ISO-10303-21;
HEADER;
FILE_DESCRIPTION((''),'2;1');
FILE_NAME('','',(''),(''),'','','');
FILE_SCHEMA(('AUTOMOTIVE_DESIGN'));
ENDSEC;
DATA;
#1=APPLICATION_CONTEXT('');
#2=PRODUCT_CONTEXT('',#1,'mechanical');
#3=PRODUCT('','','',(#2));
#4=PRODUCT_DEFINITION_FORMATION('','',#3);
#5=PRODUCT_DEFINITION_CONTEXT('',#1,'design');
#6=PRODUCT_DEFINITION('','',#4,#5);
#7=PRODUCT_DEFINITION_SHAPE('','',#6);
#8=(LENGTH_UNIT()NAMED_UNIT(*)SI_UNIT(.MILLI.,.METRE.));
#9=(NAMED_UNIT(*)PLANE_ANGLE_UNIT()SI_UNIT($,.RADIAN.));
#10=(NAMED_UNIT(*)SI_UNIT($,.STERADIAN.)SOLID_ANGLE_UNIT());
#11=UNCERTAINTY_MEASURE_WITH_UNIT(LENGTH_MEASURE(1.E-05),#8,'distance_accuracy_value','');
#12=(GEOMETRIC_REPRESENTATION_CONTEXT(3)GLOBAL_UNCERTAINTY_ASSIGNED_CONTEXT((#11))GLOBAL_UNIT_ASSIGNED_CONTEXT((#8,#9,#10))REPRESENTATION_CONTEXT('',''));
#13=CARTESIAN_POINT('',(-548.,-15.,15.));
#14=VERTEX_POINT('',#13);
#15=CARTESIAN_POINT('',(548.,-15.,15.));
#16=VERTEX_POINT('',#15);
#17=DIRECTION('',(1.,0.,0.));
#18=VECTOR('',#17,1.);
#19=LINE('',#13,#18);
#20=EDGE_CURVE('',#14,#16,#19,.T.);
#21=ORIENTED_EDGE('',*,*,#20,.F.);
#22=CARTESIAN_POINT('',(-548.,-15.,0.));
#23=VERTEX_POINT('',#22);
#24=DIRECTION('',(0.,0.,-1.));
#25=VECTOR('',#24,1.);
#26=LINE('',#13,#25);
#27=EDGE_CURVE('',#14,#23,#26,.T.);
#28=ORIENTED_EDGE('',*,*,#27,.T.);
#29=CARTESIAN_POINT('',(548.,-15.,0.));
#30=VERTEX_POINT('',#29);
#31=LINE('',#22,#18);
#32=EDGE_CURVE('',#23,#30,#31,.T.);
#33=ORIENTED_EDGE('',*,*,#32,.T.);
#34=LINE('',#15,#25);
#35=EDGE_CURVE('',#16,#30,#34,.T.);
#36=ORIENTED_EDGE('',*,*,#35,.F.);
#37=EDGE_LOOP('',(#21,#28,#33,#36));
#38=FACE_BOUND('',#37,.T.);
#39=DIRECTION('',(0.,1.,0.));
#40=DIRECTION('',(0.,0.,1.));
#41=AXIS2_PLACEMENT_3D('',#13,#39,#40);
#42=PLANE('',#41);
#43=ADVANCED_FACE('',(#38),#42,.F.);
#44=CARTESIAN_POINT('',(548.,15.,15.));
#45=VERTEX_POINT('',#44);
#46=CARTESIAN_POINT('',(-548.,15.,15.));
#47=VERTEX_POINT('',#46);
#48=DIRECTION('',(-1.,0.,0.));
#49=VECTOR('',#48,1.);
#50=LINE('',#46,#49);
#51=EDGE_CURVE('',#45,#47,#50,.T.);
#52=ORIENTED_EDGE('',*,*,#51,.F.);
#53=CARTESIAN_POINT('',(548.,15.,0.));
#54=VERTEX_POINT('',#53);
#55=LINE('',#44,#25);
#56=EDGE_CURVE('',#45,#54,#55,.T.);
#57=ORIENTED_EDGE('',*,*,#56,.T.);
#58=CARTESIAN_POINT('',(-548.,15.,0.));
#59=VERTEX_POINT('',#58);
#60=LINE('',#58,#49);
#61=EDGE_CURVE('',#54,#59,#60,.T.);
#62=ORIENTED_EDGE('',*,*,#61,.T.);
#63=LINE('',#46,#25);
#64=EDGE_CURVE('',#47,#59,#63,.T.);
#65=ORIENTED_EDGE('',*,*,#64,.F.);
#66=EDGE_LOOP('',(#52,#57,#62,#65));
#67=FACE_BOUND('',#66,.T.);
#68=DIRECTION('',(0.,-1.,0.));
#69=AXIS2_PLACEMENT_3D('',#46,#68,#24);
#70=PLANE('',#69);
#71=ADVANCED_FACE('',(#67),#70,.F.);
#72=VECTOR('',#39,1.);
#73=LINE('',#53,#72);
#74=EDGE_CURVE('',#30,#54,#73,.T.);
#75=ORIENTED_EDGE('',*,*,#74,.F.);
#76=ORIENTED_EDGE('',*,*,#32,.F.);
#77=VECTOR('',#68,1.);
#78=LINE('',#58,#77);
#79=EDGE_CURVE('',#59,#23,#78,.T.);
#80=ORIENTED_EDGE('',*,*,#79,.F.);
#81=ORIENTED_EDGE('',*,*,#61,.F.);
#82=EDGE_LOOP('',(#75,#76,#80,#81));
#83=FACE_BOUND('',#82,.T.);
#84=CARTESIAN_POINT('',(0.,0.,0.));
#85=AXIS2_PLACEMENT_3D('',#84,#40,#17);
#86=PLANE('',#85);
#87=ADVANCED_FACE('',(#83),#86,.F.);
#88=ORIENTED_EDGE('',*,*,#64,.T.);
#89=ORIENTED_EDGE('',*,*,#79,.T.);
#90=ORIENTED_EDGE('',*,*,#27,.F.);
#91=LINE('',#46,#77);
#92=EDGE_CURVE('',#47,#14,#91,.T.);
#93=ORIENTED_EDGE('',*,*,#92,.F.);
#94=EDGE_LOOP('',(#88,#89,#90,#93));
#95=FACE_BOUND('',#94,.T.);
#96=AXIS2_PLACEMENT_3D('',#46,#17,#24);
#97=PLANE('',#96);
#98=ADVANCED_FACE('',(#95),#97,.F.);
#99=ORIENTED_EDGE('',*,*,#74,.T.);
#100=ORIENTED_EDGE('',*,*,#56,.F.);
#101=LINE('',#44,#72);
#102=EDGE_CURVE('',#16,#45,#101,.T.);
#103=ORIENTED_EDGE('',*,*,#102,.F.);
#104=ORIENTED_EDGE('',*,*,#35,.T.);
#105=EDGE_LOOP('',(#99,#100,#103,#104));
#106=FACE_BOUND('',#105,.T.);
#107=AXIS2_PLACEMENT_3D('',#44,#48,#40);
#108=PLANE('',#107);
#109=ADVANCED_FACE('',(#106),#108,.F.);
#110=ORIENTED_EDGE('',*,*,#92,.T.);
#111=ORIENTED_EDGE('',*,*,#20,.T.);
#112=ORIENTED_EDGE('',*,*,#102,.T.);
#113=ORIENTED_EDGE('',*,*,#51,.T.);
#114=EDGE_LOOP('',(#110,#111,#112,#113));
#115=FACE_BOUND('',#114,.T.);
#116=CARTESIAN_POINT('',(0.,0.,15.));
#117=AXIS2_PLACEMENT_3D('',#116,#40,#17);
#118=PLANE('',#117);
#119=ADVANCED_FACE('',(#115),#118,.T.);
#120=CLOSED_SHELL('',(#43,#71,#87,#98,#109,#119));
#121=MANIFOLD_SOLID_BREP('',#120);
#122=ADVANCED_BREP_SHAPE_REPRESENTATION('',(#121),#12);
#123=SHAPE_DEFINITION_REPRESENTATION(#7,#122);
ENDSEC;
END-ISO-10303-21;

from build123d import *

# Parameters (mm, degrees)
ESQUISSE1_W        = 1096
ESQUISSE1_H        = 30
BOSS_EXTRU_1_DEPTH = 15


with BuildPart() as part:
    # Esquisse1 → Boss.-Extru.1 (new body)
    with BuildSketch(Plane.XY):
        Rectangle(ESQUISSE1_W, ESQUISSE1_H)
    extrude(amount=BOSS_EXTRU_1_DEPTH)


solid = part.part
